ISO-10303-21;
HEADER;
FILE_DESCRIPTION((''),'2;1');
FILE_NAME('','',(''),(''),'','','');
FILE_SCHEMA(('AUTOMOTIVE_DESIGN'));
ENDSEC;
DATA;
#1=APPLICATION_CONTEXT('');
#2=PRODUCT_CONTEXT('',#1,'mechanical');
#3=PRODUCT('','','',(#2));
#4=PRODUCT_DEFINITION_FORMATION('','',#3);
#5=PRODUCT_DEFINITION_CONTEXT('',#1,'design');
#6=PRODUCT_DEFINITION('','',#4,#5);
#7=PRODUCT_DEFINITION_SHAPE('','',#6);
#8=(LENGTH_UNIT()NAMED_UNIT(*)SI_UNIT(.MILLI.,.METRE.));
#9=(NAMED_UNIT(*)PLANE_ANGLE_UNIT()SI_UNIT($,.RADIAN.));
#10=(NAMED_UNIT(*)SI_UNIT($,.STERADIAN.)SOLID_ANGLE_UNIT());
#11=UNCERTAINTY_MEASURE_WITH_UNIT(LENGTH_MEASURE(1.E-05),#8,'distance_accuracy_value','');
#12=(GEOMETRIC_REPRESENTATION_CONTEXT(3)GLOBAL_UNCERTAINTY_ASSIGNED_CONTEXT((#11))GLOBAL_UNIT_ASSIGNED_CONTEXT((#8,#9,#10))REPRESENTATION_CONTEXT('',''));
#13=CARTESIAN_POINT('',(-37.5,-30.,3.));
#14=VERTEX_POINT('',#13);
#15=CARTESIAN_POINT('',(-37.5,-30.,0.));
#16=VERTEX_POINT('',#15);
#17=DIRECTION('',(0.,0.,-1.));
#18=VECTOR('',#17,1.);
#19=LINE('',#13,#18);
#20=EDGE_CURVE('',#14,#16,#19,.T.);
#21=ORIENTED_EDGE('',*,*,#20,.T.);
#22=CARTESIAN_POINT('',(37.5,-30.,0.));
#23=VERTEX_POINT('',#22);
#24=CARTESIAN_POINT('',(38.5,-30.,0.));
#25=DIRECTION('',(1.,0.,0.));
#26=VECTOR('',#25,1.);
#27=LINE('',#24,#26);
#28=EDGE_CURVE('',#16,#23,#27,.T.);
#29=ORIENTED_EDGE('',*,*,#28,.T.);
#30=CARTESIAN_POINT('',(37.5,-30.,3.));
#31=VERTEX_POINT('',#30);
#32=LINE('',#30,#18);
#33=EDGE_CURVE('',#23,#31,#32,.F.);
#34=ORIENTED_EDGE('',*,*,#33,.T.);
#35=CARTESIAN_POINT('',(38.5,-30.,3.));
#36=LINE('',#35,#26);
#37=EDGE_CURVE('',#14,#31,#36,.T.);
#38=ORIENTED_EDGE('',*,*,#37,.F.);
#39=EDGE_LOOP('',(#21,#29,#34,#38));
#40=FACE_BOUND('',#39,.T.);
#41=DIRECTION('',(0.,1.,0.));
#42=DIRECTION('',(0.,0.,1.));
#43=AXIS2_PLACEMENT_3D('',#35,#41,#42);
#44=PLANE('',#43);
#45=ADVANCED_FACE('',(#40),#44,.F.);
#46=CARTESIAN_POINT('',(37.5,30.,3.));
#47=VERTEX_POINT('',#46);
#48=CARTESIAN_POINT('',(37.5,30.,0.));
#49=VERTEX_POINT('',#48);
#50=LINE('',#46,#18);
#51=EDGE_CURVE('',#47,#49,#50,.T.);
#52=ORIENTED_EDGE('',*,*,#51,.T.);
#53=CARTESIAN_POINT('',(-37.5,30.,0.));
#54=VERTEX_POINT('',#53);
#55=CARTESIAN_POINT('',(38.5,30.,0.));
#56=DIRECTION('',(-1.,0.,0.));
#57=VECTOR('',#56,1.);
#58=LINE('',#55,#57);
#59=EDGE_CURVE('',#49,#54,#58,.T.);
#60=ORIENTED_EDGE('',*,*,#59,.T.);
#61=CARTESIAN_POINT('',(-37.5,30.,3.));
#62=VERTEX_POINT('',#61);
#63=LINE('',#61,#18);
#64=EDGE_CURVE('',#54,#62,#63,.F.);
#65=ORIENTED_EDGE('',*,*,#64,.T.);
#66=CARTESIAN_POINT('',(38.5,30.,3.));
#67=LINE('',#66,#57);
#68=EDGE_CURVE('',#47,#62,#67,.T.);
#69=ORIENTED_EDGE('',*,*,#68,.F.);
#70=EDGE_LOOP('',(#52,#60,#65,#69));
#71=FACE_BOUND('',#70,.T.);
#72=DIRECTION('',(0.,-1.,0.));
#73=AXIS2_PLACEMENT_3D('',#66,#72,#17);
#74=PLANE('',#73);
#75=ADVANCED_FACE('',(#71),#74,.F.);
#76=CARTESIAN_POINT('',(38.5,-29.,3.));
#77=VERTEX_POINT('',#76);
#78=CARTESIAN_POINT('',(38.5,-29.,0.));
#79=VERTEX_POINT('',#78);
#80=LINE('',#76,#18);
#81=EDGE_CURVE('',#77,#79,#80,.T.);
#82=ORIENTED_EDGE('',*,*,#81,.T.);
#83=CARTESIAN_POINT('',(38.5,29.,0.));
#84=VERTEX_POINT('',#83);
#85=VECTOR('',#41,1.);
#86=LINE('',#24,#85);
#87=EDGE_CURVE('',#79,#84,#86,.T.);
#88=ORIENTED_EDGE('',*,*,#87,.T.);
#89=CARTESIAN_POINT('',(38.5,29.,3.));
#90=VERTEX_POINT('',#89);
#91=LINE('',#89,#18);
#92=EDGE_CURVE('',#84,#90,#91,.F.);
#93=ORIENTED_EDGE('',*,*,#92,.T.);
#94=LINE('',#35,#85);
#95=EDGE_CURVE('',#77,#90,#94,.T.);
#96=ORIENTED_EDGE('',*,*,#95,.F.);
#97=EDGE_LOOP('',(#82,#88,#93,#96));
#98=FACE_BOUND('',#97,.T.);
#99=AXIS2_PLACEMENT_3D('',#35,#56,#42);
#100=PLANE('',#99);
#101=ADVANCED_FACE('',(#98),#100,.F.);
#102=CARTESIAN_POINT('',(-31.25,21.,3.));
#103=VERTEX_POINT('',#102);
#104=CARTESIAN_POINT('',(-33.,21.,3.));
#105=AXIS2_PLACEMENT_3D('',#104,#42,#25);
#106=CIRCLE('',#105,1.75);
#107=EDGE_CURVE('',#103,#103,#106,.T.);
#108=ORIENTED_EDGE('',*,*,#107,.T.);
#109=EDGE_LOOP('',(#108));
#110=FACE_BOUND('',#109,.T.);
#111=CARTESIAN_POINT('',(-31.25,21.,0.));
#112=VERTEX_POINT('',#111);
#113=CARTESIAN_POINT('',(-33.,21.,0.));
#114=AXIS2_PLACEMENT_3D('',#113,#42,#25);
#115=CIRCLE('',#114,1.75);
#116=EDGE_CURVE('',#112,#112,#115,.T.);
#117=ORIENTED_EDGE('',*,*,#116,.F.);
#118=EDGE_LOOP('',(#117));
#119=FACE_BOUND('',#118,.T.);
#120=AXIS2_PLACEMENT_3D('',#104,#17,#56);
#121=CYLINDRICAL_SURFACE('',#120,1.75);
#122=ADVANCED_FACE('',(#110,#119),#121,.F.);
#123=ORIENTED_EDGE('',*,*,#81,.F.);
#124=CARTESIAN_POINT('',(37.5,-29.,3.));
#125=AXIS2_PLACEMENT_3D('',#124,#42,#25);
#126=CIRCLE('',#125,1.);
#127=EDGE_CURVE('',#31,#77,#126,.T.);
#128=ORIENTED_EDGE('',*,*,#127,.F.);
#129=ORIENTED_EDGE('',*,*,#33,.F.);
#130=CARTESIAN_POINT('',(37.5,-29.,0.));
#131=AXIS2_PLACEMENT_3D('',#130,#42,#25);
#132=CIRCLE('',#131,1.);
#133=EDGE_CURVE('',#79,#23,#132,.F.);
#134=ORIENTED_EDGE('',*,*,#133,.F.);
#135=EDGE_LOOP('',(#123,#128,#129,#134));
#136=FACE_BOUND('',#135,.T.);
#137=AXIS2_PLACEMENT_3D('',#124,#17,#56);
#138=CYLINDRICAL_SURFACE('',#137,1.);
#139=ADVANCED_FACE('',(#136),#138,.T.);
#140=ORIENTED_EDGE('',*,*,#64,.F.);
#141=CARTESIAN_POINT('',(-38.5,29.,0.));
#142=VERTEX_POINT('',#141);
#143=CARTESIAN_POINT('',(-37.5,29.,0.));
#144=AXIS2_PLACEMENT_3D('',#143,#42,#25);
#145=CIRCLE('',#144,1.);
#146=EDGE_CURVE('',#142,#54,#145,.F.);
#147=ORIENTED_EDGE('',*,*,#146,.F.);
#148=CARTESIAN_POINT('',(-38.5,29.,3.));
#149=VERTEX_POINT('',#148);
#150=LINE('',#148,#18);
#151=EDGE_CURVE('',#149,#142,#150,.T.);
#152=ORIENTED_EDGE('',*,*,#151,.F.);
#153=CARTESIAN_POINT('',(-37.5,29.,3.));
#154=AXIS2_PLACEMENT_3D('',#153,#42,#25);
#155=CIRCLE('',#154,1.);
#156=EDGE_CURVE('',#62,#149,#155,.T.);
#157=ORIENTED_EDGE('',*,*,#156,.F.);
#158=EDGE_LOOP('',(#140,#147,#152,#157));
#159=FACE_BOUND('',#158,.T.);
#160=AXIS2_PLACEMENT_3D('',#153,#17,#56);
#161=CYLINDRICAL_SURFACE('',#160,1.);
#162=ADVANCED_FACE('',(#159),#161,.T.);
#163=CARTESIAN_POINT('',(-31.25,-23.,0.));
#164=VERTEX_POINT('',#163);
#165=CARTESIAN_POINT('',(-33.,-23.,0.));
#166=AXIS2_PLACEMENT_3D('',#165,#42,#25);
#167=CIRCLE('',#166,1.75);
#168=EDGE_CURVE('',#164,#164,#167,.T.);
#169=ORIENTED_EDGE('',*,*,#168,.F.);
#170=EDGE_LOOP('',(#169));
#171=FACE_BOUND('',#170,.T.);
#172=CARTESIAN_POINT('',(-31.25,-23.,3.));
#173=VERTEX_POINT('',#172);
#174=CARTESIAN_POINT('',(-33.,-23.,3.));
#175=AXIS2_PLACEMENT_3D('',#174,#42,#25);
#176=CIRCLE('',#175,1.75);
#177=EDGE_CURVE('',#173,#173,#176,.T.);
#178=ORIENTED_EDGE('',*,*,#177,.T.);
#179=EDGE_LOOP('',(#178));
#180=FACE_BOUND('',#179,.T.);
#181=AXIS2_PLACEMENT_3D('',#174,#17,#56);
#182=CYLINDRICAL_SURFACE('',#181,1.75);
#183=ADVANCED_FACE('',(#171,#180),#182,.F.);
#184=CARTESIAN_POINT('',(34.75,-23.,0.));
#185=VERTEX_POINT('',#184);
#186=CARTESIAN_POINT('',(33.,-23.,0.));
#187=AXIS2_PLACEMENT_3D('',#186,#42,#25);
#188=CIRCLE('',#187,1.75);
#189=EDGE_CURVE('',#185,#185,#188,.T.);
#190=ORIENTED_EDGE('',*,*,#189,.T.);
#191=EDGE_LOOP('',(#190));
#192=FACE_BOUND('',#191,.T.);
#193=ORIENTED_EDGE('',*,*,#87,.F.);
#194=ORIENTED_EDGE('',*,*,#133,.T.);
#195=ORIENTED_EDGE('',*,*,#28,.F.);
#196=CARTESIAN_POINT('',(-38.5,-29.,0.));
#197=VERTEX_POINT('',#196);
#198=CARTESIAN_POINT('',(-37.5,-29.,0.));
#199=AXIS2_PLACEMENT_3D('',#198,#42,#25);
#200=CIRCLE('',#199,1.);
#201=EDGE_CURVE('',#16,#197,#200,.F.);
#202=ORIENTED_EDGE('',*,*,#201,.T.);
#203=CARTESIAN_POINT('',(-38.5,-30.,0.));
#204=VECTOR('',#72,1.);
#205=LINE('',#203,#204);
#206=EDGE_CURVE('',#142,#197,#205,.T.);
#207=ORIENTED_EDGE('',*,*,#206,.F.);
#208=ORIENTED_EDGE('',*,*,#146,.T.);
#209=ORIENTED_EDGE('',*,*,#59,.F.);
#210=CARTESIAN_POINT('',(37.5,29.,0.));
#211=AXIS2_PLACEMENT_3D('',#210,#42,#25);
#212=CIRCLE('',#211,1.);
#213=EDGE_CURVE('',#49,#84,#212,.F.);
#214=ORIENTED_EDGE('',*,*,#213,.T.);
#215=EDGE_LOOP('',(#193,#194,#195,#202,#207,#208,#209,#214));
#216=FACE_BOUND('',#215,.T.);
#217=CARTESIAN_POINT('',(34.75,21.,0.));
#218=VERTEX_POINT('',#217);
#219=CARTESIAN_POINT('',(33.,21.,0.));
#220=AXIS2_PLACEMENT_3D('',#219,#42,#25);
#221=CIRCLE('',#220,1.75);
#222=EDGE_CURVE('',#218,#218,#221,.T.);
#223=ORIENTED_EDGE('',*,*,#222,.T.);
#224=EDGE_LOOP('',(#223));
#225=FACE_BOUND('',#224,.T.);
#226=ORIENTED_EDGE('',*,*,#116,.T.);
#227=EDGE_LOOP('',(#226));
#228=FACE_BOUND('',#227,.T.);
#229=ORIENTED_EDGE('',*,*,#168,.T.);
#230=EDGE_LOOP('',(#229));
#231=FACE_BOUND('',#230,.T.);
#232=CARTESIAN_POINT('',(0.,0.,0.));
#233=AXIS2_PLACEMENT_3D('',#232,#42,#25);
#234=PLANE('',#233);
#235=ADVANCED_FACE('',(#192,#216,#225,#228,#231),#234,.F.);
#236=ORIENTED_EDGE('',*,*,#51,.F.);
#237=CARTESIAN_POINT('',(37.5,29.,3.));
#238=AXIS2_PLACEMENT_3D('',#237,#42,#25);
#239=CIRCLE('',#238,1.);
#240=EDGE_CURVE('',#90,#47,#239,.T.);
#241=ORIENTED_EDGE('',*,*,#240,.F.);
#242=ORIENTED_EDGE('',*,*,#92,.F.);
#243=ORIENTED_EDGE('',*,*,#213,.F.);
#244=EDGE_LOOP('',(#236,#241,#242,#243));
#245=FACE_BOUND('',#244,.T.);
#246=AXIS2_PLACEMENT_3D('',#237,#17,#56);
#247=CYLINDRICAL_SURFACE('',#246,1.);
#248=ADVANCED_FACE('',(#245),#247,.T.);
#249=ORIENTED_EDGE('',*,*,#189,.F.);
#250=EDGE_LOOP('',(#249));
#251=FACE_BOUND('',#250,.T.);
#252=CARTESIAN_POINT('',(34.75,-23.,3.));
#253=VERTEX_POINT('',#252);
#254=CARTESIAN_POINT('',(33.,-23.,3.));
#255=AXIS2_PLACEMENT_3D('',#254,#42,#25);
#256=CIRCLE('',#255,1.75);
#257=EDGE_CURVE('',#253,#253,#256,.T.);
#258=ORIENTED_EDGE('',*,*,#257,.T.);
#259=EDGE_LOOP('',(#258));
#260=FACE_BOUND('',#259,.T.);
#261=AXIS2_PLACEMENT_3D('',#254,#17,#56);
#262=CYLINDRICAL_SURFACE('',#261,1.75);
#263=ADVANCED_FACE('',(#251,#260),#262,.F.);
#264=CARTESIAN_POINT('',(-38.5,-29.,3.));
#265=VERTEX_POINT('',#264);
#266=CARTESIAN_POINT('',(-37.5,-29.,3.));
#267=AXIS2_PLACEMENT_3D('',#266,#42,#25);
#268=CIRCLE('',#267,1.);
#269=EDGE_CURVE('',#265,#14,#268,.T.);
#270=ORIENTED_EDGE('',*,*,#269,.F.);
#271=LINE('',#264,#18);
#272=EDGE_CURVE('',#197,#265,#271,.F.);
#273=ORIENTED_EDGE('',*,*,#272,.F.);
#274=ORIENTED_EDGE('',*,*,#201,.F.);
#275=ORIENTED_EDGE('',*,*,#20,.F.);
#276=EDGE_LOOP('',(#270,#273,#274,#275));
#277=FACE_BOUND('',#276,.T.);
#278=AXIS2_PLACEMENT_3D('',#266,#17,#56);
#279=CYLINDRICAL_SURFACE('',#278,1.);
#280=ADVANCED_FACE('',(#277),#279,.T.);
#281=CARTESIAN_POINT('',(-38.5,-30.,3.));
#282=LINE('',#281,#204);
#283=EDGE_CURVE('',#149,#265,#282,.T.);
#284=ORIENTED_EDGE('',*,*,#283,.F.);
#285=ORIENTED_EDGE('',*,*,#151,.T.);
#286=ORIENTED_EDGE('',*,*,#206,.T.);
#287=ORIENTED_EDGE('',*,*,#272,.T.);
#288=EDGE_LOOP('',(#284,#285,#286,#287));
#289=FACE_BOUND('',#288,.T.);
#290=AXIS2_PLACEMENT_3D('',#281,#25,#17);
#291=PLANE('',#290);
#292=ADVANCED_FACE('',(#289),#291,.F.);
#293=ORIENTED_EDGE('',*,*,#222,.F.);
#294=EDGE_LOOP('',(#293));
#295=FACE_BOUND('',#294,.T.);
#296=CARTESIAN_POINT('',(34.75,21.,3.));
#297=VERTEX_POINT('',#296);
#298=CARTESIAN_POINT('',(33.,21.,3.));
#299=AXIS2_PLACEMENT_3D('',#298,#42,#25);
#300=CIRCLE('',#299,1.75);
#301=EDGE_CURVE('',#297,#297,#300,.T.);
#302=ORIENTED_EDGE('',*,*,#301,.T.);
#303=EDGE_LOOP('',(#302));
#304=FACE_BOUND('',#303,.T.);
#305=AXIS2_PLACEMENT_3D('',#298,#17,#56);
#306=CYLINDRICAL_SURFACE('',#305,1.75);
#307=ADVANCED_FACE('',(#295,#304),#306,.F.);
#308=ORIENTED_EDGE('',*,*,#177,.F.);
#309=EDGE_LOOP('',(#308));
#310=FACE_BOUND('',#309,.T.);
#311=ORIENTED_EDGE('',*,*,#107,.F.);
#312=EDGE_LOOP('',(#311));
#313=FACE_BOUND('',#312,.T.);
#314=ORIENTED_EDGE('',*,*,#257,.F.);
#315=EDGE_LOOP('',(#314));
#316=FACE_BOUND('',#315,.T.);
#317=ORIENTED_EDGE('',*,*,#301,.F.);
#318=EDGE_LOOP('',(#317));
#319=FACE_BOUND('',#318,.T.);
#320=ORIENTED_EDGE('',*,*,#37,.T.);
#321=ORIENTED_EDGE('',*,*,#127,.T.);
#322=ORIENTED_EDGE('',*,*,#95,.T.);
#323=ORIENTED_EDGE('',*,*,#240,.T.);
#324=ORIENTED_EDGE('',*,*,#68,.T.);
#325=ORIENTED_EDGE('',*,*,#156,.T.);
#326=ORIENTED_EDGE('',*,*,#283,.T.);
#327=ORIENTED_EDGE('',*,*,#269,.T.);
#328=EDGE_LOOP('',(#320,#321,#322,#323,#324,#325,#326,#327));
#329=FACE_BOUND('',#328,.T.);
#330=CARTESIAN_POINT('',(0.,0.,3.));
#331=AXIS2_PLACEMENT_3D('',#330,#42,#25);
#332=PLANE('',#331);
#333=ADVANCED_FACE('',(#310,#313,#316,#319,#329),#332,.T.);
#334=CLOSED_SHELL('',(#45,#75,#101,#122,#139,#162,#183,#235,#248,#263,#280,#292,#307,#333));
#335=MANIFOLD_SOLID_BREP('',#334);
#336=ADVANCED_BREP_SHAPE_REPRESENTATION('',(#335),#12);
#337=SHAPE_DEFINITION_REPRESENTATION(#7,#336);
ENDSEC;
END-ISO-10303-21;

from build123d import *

# Parameters (mm, degrees)
SKETCH1_W           = 77
SKETCH1_H           = 60
SKETCH1_R           = 1.75
BOSS_EXTRUDE1_DEPTH = 3
FILLET1_R           = 1


with BuildPart() as part:
    # Sketch1 → Boss-Extrude1 (new body)
    with BuildSketch(Plane.XY):
        Rectangle(SKETCH1_W, SKETCH1_H)
        with Locations((33, -23)):
            Circle(SKETCH1_R, mode=Mode.SUBTRACT)
        with Locations((-33, -23)):
            Circle(SKETCH1_R, mode=Mode.SUBTRACT)
        with Locations((33, 21)):
            Circle(SKETCH1_R, mode=Mode.SUBTRACT)
        with Locations((-33, 21)):
            Circle(SKETCH1_R, mode=Mode.SUBTRACT)
    extrude(amount=BOSS_EXTRUDE1_DEPTH)

    # Fillet1
    fillet1_edges = [part.edges().sort_by_distance(p)[0] for p in [
        (38.5, -30, 1.5),
        (-38.5, -30, 1.5),
        (-38.5, 30, 1.5),
        (38.5, 30, 1.5),
    ]]
    fillet(fillet1_edges, radius=FILLET1_R)


solid = part.part
